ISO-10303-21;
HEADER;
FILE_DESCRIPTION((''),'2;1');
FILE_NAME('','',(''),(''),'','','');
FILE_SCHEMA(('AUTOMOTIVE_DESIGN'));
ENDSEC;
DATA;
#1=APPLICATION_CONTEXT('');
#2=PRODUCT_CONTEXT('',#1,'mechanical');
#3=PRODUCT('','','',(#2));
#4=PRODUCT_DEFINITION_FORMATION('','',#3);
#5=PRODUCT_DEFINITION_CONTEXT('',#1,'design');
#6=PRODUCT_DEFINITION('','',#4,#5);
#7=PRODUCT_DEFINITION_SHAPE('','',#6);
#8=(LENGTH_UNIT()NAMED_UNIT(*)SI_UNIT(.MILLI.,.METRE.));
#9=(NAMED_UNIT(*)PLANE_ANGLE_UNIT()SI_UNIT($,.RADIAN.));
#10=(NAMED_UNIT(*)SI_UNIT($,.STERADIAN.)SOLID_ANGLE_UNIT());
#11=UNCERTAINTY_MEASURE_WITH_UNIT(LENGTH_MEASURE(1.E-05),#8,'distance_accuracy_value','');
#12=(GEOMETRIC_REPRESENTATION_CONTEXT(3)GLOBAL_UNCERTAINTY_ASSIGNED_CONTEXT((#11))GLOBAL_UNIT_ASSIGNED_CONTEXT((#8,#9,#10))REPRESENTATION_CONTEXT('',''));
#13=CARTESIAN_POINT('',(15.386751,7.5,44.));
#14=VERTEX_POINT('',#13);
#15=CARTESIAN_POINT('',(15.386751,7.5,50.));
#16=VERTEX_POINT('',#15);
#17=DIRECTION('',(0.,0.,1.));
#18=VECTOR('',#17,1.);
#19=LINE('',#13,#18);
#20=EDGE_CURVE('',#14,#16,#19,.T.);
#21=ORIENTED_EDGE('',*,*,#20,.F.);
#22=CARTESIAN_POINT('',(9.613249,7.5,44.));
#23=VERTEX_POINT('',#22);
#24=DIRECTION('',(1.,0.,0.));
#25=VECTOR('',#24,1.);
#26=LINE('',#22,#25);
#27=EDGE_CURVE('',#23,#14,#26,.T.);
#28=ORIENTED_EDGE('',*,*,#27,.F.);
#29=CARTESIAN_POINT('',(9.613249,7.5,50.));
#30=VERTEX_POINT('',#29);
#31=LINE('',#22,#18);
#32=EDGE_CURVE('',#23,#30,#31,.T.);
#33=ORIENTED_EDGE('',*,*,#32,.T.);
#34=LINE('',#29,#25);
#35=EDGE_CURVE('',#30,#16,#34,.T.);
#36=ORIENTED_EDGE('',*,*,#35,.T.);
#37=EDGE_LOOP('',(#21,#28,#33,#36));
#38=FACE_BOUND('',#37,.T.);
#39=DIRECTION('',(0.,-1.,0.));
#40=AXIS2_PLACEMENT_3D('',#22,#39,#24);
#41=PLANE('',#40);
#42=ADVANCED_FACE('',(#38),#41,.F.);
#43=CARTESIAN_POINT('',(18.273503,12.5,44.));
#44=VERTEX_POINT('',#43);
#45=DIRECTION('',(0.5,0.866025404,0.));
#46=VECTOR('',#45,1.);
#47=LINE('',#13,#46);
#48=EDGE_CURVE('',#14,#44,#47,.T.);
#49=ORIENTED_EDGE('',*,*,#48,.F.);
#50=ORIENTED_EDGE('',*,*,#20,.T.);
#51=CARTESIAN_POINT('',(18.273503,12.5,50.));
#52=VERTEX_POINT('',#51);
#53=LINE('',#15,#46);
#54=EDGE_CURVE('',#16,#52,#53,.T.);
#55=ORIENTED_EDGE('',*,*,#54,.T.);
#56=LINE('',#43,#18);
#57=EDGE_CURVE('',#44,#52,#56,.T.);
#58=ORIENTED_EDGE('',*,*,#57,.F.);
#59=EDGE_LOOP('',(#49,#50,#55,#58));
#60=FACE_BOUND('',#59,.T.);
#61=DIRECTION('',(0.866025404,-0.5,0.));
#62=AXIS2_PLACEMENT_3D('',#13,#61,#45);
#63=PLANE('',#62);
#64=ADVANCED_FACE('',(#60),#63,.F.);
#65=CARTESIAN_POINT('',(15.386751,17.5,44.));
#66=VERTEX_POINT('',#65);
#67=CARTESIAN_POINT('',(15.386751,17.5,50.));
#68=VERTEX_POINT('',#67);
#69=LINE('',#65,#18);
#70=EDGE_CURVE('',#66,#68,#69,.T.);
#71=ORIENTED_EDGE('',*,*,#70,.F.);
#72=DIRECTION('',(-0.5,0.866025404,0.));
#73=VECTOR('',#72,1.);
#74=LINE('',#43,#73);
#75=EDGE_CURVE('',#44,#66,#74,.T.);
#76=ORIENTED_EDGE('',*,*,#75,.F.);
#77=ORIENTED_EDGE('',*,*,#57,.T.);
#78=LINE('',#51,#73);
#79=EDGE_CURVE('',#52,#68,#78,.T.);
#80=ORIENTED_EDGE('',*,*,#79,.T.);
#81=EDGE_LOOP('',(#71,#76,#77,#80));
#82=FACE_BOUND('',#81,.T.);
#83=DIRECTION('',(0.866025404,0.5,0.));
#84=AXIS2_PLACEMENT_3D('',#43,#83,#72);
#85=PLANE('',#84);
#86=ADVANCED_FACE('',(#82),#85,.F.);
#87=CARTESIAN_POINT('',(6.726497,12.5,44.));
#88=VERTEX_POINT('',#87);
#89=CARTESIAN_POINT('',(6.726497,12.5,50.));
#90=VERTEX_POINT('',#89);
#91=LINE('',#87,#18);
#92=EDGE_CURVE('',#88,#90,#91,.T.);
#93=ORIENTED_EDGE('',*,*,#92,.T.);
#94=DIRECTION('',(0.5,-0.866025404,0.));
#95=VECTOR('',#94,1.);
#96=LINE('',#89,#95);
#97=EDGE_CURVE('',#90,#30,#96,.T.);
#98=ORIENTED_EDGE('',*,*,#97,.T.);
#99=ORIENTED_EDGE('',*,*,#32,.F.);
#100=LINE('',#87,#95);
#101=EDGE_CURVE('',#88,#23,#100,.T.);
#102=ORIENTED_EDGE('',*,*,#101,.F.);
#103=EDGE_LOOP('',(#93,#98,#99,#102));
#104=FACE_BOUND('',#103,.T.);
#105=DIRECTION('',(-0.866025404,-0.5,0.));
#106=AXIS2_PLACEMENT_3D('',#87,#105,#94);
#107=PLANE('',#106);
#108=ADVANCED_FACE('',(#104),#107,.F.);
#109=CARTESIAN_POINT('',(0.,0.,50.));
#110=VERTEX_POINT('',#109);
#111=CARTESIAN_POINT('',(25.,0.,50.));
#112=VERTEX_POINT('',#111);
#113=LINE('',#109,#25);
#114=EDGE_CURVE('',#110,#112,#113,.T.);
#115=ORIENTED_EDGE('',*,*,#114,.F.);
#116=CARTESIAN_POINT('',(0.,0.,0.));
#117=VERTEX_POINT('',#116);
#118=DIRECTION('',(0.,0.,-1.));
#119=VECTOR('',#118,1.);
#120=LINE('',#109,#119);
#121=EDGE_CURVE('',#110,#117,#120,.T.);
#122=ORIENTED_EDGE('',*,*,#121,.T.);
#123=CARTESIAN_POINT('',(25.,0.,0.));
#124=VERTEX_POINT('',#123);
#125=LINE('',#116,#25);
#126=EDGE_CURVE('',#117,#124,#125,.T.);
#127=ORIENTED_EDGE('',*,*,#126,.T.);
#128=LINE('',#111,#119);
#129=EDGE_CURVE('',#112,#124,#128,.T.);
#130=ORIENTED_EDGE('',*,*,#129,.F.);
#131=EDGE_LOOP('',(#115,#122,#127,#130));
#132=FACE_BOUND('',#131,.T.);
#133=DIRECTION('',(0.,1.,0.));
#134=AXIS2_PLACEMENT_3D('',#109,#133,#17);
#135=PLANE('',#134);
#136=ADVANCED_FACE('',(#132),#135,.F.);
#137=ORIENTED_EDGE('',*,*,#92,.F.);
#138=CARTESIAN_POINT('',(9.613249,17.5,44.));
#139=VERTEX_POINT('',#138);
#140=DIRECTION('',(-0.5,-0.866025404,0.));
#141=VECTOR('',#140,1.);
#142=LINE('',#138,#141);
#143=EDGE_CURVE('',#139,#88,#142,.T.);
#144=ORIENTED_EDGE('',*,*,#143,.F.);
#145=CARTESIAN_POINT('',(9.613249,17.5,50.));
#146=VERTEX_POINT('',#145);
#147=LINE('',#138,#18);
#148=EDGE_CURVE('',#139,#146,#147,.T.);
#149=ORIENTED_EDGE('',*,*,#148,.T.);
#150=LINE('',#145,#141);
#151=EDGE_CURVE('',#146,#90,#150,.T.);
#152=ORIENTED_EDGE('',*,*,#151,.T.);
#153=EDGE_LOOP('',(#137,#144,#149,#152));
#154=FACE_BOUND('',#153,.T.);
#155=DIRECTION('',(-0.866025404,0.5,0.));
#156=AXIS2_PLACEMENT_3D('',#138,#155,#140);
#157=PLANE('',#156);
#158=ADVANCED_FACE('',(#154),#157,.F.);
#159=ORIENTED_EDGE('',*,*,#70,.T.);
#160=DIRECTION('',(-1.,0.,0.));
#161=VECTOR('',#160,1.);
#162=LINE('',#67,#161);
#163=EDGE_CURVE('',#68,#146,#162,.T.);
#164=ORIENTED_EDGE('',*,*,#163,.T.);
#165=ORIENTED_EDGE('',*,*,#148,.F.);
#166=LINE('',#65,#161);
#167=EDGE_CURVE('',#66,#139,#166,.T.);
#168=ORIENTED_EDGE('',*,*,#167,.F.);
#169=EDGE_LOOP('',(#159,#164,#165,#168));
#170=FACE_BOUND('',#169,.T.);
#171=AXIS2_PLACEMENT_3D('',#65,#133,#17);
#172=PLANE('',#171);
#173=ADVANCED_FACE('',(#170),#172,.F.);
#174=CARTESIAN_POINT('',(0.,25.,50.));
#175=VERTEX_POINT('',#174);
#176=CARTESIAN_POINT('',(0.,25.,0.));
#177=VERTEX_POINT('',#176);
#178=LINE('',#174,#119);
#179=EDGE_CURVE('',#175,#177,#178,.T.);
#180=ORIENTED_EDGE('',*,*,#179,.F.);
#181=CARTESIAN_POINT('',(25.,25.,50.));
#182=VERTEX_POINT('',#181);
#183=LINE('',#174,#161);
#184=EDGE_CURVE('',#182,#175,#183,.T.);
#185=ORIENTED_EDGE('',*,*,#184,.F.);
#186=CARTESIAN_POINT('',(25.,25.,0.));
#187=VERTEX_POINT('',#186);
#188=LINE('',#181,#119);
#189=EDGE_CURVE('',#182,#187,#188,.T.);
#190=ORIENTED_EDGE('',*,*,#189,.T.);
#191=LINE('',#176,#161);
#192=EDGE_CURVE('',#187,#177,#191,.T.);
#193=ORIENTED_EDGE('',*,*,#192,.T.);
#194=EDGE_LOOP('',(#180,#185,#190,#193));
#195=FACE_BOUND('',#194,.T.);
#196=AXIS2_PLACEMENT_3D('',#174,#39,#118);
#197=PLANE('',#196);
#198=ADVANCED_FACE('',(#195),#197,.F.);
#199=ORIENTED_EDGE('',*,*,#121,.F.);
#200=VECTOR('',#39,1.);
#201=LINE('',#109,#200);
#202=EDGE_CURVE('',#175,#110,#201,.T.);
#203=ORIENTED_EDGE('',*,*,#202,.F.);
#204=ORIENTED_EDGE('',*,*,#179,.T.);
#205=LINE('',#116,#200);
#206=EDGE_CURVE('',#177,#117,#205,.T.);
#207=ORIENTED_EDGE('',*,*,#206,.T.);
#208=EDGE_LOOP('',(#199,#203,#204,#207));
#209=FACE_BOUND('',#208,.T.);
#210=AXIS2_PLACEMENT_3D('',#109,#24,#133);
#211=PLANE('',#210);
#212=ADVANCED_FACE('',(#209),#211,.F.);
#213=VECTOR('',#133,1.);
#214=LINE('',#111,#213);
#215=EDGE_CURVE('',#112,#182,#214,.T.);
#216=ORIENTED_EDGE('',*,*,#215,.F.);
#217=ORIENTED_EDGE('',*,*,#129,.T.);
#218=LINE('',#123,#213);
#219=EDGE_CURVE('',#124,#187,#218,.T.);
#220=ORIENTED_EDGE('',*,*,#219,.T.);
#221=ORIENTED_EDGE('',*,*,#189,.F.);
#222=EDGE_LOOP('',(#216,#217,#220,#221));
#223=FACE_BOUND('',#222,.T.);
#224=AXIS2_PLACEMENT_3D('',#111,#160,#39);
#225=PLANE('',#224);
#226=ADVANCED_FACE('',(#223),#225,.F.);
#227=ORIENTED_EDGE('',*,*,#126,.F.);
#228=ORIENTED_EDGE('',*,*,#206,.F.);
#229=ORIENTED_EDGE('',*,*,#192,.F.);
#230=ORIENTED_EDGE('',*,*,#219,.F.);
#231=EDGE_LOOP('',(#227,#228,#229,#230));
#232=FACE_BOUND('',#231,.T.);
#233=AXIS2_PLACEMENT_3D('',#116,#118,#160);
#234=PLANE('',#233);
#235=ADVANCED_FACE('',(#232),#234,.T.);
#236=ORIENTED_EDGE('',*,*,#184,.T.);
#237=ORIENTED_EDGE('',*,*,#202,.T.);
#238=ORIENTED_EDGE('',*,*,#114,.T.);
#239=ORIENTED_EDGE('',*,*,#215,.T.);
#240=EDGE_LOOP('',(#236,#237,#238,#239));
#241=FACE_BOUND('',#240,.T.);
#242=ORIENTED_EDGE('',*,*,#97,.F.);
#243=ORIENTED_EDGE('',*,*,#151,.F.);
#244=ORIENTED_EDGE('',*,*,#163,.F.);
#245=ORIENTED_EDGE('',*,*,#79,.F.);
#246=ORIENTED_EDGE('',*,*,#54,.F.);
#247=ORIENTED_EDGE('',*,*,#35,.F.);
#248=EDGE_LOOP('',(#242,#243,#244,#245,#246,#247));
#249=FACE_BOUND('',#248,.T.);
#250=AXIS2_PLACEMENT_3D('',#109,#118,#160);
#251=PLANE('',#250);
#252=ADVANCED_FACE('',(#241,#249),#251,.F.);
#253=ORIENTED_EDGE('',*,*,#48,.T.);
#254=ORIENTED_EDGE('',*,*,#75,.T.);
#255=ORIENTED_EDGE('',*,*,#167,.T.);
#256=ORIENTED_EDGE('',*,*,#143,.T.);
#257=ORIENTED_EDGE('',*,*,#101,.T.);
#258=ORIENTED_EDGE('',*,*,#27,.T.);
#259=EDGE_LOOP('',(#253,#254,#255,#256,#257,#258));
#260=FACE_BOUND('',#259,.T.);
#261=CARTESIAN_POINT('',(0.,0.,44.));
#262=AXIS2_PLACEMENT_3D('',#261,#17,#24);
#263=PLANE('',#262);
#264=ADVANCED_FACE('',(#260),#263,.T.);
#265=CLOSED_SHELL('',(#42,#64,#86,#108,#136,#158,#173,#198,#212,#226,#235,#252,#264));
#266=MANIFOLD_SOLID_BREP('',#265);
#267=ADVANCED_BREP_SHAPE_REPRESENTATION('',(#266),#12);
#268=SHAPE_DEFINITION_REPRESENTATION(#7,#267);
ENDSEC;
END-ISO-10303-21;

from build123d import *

# Parameters (mm, degrees)
CROQUIS1_W              = 25
CROQUIS1_H              = 25
SALIENTE_EXTRUIR1_DEPTH = 50
CORTAR_EXTRUIR1_DEPTH   = 6


with BuildPart() as part:
    # Croquis1 → Saliente-Extruir1 (new body)
    with BuildSketch(Plane.XY):
        with Locations((12.5, 12.5)):
            Rectangle(CROQUIS1_W, CROQUIS1_H)
    extrude(amount=SALIENTE_EXTRUIR1_DEPTH)

    # Croquis2 → Cortar-Extruir1 (cut)
    with BuildSketch(Plane.XY.offset(50)):
        Polygon((18.273502692, 12.5), (15.386751346, 17.5), (9.613248654, 17.5), (6.726497308, 12.5), (9.613248654, 7.5), (15.386751346, 7.5), align=None)
    extrude(amount=-CORTAR_EXTRUIR1_DEPTH, mode=Mode.SUBTRACT)


solid = part.part
